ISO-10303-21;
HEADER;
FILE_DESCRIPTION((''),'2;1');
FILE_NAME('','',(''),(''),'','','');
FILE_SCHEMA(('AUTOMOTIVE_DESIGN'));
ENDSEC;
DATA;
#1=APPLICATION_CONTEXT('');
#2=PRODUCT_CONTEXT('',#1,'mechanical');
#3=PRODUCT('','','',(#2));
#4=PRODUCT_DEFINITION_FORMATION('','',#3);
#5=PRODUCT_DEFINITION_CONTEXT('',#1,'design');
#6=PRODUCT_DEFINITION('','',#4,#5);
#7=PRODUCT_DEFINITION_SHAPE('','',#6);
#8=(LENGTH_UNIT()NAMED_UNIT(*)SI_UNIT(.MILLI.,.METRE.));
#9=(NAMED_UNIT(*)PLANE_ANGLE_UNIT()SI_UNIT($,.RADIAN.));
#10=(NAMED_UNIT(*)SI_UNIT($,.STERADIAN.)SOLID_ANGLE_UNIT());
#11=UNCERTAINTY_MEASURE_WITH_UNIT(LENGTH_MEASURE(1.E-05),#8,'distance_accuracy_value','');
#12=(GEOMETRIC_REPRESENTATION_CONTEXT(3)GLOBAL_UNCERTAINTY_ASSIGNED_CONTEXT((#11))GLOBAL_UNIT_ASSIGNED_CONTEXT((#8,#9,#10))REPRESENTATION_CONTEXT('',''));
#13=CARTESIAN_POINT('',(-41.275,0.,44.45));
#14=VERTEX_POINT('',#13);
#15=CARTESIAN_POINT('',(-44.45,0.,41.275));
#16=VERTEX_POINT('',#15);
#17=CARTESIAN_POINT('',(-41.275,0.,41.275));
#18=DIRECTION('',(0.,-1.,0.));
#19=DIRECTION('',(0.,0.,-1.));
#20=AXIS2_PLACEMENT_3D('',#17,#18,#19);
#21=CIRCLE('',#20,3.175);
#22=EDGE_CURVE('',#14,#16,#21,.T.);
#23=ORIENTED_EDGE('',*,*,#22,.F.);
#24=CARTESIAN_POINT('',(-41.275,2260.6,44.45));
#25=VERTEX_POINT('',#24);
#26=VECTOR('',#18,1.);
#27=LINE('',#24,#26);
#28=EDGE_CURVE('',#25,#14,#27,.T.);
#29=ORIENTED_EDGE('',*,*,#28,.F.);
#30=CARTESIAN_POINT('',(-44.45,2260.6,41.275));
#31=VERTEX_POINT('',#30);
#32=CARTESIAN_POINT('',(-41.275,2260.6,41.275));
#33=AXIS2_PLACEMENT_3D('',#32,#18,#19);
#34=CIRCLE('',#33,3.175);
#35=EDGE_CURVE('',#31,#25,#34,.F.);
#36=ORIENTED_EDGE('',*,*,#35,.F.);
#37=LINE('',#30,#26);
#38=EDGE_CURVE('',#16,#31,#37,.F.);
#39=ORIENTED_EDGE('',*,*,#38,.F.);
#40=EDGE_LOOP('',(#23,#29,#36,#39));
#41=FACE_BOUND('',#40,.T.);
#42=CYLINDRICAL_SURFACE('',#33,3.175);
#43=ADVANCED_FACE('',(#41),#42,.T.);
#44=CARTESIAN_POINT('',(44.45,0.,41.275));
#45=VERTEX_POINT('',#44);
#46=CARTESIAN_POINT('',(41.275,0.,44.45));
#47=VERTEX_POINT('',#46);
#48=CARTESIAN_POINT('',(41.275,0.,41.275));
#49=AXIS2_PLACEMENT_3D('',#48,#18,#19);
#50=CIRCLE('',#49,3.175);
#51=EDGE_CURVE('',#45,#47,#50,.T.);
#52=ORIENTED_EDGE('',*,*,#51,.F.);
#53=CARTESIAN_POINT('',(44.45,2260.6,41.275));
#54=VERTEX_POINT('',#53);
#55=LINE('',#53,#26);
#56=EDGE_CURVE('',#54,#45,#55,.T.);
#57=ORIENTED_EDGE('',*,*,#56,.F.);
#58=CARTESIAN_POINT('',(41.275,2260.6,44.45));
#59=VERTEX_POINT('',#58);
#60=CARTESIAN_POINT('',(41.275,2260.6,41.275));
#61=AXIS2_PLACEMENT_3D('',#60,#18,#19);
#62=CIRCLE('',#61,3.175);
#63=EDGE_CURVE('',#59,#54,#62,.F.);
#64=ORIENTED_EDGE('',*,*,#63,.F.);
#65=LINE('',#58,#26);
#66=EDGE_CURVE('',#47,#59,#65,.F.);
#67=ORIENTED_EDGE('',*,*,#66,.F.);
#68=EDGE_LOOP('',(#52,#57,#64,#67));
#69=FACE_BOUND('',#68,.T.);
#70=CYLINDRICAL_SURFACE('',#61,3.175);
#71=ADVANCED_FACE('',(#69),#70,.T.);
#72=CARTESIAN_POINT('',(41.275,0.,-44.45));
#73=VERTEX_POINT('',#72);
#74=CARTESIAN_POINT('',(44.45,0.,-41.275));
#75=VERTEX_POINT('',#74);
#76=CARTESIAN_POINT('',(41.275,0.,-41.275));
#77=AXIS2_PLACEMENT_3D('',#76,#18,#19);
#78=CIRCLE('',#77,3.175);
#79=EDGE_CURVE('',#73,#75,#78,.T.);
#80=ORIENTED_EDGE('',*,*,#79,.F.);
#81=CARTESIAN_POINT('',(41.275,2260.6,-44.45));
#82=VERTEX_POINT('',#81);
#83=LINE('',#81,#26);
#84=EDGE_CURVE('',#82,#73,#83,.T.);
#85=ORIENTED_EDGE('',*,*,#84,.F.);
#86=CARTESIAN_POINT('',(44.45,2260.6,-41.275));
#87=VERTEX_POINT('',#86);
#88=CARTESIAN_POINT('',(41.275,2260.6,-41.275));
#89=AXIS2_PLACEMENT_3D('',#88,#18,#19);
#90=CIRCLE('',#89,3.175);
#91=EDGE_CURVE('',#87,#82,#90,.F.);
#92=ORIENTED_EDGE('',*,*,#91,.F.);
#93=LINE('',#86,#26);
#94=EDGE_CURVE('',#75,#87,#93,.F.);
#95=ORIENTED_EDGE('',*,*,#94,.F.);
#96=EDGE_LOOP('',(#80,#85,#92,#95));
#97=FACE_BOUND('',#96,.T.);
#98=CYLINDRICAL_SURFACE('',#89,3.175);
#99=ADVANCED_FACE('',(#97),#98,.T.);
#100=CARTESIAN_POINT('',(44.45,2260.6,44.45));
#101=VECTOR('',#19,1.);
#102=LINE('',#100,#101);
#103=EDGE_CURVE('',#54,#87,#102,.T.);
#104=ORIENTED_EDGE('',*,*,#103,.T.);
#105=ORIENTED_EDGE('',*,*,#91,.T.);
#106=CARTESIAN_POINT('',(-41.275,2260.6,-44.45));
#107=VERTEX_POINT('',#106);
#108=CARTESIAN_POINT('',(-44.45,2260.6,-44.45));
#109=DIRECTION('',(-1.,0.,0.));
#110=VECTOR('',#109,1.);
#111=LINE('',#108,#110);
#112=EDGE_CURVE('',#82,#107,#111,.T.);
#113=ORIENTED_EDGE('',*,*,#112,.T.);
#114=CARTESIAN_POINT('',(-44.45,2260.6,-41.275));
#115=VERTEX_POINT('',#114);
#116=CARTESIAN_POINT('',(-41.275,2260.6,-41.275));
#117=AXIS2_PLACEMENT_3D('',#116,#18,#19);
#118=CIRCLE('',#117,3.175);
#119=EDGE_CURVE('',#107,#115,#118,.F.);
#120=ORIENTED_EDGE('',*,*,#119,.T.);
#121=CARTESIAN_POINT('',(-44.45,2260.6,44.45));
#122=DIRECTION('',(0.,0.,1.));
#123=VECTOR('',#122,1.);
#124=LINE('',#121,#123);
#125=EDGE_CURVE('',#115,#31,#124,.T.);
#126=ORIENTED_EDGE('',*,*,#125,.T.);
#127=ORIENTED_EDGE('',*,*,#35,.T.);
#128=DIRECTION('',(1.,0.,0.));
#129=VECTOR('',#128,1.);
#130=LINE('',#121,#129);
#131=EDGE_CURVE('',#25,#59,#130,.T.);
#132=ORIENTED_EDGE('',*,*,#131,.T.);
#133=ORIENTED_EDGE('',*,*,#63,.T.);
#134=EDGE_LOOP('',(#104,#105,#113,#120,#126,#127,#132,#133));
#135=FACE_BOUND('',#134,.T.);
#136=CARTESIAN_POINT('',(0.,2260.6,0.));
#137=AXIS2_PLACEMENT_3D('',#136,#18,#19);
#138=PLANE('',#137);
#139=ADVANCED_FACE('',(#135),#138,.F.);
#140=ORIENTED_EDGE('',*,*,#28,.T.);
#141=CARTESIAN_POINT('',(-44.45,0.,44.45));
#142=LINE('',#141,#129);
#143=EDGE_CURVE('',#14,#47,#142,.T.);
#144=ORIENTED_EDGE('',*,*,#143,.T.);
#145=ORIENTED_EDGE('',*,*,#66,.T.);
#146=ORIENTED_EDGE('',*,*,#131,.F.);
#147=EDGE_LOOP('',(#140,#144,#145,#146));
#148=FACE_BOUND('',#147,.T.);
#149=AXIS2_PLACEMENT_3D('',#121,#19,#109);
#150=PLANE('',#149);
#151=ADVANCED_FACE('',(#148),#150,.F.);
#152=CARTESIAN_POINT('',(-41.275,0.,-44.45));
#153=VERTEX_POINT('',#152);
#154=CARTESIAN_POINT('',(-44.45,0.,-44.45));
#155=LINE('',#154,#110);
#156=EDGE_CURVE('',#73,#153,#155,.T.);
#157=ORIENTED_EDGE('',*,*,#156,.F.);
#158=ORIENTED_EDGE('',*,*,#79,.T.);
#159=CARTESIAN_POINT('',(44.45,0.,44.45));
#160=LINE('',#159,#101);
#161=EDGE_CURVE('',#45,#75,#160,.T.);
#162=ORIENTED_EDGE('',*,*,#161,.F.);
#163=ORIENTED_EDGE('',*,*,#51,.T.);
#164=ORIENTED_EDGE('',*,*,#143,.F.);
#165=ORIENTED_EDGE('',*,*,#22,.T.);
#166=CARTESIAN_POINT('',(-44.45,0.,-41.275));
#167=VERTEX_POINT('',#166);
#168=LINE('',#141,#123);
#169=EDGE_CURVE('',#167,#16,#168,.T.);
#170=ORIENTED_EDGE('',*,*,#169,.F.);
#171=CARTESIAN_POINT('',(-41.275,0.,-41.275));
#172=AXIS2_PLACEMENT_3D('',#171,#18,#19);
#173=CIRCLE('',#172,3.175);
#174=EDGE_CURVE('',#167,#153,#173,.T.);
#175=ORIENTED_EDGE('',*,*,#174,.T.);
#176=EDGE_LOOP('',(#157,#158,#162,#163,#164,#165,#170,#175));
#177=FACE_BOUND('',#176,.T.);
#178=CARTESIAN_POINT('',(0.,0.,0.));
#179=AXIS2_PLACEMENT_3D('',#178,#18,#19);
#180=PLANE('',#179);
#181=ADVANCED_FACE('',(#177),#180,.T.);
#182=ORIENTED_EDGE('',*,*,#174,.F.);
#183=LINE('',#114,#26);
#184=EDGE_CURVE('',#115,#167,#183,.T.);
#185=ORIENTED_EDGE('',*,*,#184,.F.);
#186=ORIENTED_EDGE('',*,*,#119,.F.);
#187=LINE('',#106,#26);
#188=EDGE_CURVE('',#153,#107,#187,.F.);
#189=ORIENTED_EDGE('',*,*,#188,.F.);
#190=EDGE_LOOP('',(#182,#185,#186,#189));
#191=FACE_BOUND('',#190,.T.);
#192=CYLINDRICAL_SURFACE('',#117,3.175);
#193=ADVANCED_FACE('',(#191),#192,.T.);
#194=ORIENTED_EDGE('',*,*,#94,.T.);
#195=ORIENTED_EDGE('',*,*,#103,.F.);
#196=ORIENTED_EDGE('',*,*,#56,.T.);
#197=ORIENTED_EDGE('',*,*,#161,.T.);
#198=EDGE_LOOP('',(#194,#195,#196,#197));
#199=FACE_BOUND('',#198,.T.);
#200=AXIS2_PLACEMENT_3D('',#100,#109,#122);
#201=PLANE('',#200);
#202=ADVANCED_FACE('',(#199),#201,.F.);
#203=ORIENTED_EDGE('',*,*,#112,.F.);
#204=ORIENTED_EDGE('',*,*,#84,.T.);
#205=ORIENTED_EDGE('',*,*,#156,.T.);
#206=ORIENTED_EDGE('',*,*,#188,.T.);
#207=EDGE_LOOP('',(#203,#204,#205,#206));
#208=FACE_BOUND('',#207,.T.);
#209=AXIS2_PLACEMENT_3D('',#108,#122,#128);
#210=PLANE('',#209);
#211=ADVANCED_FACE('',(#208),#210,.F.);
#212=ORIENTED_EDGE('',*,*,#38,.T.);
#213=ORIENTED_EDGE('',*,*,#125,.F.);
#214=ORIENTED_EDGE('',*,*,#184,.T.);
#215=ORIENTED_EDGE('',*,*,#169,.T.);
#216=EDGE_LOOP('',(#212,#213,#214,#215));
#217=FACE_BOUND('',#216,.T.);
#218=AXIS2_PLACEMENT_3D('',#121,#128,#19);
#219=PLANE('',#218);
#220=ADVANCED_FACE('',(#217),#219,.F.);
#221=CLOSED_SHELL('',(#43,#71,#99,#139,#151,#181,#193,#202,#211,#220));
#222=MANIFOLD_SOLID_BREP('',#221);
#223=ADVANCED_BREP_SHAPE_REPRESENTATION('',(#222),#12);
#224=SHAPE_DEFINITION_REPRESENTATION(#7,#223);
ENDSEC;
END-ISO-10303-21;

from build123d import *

# Parameters (mm, degrees)
SKETCH1_W           = 88.9
SKETCH1_H           = 88.9
BOSS_EXTRUDE1_DEPTH = 2260.6
FILLET1_R           = 3.175


with BuildPart() as part:
    # Sketch1 → Boss-Extrude1 (new body)
    with BuildSketch(Plane(origin=(0, 0, 0), x_dir=(1, 0, 0), z_dir=(0, 1, 0))):
        Rectangle(SKETCH1_W, SKETCH1_H)
    extrude(amount=BOSS_EXTRUDE1_DEPTH)

    # Fillet1
    fillet1_edges = [part.edges().sort_by_distance(p)[0] for p in [
        (44.45, 1130.3, 44.45),
        (-44.45, 1130.3, 44.45),
        (-44.45, 1130.3, -44.45),
        (44.45, 1130.3, -44.45),
    ]]
    fillet(fillet1_edges, radius=FILLET1_R)


solid = part.part
